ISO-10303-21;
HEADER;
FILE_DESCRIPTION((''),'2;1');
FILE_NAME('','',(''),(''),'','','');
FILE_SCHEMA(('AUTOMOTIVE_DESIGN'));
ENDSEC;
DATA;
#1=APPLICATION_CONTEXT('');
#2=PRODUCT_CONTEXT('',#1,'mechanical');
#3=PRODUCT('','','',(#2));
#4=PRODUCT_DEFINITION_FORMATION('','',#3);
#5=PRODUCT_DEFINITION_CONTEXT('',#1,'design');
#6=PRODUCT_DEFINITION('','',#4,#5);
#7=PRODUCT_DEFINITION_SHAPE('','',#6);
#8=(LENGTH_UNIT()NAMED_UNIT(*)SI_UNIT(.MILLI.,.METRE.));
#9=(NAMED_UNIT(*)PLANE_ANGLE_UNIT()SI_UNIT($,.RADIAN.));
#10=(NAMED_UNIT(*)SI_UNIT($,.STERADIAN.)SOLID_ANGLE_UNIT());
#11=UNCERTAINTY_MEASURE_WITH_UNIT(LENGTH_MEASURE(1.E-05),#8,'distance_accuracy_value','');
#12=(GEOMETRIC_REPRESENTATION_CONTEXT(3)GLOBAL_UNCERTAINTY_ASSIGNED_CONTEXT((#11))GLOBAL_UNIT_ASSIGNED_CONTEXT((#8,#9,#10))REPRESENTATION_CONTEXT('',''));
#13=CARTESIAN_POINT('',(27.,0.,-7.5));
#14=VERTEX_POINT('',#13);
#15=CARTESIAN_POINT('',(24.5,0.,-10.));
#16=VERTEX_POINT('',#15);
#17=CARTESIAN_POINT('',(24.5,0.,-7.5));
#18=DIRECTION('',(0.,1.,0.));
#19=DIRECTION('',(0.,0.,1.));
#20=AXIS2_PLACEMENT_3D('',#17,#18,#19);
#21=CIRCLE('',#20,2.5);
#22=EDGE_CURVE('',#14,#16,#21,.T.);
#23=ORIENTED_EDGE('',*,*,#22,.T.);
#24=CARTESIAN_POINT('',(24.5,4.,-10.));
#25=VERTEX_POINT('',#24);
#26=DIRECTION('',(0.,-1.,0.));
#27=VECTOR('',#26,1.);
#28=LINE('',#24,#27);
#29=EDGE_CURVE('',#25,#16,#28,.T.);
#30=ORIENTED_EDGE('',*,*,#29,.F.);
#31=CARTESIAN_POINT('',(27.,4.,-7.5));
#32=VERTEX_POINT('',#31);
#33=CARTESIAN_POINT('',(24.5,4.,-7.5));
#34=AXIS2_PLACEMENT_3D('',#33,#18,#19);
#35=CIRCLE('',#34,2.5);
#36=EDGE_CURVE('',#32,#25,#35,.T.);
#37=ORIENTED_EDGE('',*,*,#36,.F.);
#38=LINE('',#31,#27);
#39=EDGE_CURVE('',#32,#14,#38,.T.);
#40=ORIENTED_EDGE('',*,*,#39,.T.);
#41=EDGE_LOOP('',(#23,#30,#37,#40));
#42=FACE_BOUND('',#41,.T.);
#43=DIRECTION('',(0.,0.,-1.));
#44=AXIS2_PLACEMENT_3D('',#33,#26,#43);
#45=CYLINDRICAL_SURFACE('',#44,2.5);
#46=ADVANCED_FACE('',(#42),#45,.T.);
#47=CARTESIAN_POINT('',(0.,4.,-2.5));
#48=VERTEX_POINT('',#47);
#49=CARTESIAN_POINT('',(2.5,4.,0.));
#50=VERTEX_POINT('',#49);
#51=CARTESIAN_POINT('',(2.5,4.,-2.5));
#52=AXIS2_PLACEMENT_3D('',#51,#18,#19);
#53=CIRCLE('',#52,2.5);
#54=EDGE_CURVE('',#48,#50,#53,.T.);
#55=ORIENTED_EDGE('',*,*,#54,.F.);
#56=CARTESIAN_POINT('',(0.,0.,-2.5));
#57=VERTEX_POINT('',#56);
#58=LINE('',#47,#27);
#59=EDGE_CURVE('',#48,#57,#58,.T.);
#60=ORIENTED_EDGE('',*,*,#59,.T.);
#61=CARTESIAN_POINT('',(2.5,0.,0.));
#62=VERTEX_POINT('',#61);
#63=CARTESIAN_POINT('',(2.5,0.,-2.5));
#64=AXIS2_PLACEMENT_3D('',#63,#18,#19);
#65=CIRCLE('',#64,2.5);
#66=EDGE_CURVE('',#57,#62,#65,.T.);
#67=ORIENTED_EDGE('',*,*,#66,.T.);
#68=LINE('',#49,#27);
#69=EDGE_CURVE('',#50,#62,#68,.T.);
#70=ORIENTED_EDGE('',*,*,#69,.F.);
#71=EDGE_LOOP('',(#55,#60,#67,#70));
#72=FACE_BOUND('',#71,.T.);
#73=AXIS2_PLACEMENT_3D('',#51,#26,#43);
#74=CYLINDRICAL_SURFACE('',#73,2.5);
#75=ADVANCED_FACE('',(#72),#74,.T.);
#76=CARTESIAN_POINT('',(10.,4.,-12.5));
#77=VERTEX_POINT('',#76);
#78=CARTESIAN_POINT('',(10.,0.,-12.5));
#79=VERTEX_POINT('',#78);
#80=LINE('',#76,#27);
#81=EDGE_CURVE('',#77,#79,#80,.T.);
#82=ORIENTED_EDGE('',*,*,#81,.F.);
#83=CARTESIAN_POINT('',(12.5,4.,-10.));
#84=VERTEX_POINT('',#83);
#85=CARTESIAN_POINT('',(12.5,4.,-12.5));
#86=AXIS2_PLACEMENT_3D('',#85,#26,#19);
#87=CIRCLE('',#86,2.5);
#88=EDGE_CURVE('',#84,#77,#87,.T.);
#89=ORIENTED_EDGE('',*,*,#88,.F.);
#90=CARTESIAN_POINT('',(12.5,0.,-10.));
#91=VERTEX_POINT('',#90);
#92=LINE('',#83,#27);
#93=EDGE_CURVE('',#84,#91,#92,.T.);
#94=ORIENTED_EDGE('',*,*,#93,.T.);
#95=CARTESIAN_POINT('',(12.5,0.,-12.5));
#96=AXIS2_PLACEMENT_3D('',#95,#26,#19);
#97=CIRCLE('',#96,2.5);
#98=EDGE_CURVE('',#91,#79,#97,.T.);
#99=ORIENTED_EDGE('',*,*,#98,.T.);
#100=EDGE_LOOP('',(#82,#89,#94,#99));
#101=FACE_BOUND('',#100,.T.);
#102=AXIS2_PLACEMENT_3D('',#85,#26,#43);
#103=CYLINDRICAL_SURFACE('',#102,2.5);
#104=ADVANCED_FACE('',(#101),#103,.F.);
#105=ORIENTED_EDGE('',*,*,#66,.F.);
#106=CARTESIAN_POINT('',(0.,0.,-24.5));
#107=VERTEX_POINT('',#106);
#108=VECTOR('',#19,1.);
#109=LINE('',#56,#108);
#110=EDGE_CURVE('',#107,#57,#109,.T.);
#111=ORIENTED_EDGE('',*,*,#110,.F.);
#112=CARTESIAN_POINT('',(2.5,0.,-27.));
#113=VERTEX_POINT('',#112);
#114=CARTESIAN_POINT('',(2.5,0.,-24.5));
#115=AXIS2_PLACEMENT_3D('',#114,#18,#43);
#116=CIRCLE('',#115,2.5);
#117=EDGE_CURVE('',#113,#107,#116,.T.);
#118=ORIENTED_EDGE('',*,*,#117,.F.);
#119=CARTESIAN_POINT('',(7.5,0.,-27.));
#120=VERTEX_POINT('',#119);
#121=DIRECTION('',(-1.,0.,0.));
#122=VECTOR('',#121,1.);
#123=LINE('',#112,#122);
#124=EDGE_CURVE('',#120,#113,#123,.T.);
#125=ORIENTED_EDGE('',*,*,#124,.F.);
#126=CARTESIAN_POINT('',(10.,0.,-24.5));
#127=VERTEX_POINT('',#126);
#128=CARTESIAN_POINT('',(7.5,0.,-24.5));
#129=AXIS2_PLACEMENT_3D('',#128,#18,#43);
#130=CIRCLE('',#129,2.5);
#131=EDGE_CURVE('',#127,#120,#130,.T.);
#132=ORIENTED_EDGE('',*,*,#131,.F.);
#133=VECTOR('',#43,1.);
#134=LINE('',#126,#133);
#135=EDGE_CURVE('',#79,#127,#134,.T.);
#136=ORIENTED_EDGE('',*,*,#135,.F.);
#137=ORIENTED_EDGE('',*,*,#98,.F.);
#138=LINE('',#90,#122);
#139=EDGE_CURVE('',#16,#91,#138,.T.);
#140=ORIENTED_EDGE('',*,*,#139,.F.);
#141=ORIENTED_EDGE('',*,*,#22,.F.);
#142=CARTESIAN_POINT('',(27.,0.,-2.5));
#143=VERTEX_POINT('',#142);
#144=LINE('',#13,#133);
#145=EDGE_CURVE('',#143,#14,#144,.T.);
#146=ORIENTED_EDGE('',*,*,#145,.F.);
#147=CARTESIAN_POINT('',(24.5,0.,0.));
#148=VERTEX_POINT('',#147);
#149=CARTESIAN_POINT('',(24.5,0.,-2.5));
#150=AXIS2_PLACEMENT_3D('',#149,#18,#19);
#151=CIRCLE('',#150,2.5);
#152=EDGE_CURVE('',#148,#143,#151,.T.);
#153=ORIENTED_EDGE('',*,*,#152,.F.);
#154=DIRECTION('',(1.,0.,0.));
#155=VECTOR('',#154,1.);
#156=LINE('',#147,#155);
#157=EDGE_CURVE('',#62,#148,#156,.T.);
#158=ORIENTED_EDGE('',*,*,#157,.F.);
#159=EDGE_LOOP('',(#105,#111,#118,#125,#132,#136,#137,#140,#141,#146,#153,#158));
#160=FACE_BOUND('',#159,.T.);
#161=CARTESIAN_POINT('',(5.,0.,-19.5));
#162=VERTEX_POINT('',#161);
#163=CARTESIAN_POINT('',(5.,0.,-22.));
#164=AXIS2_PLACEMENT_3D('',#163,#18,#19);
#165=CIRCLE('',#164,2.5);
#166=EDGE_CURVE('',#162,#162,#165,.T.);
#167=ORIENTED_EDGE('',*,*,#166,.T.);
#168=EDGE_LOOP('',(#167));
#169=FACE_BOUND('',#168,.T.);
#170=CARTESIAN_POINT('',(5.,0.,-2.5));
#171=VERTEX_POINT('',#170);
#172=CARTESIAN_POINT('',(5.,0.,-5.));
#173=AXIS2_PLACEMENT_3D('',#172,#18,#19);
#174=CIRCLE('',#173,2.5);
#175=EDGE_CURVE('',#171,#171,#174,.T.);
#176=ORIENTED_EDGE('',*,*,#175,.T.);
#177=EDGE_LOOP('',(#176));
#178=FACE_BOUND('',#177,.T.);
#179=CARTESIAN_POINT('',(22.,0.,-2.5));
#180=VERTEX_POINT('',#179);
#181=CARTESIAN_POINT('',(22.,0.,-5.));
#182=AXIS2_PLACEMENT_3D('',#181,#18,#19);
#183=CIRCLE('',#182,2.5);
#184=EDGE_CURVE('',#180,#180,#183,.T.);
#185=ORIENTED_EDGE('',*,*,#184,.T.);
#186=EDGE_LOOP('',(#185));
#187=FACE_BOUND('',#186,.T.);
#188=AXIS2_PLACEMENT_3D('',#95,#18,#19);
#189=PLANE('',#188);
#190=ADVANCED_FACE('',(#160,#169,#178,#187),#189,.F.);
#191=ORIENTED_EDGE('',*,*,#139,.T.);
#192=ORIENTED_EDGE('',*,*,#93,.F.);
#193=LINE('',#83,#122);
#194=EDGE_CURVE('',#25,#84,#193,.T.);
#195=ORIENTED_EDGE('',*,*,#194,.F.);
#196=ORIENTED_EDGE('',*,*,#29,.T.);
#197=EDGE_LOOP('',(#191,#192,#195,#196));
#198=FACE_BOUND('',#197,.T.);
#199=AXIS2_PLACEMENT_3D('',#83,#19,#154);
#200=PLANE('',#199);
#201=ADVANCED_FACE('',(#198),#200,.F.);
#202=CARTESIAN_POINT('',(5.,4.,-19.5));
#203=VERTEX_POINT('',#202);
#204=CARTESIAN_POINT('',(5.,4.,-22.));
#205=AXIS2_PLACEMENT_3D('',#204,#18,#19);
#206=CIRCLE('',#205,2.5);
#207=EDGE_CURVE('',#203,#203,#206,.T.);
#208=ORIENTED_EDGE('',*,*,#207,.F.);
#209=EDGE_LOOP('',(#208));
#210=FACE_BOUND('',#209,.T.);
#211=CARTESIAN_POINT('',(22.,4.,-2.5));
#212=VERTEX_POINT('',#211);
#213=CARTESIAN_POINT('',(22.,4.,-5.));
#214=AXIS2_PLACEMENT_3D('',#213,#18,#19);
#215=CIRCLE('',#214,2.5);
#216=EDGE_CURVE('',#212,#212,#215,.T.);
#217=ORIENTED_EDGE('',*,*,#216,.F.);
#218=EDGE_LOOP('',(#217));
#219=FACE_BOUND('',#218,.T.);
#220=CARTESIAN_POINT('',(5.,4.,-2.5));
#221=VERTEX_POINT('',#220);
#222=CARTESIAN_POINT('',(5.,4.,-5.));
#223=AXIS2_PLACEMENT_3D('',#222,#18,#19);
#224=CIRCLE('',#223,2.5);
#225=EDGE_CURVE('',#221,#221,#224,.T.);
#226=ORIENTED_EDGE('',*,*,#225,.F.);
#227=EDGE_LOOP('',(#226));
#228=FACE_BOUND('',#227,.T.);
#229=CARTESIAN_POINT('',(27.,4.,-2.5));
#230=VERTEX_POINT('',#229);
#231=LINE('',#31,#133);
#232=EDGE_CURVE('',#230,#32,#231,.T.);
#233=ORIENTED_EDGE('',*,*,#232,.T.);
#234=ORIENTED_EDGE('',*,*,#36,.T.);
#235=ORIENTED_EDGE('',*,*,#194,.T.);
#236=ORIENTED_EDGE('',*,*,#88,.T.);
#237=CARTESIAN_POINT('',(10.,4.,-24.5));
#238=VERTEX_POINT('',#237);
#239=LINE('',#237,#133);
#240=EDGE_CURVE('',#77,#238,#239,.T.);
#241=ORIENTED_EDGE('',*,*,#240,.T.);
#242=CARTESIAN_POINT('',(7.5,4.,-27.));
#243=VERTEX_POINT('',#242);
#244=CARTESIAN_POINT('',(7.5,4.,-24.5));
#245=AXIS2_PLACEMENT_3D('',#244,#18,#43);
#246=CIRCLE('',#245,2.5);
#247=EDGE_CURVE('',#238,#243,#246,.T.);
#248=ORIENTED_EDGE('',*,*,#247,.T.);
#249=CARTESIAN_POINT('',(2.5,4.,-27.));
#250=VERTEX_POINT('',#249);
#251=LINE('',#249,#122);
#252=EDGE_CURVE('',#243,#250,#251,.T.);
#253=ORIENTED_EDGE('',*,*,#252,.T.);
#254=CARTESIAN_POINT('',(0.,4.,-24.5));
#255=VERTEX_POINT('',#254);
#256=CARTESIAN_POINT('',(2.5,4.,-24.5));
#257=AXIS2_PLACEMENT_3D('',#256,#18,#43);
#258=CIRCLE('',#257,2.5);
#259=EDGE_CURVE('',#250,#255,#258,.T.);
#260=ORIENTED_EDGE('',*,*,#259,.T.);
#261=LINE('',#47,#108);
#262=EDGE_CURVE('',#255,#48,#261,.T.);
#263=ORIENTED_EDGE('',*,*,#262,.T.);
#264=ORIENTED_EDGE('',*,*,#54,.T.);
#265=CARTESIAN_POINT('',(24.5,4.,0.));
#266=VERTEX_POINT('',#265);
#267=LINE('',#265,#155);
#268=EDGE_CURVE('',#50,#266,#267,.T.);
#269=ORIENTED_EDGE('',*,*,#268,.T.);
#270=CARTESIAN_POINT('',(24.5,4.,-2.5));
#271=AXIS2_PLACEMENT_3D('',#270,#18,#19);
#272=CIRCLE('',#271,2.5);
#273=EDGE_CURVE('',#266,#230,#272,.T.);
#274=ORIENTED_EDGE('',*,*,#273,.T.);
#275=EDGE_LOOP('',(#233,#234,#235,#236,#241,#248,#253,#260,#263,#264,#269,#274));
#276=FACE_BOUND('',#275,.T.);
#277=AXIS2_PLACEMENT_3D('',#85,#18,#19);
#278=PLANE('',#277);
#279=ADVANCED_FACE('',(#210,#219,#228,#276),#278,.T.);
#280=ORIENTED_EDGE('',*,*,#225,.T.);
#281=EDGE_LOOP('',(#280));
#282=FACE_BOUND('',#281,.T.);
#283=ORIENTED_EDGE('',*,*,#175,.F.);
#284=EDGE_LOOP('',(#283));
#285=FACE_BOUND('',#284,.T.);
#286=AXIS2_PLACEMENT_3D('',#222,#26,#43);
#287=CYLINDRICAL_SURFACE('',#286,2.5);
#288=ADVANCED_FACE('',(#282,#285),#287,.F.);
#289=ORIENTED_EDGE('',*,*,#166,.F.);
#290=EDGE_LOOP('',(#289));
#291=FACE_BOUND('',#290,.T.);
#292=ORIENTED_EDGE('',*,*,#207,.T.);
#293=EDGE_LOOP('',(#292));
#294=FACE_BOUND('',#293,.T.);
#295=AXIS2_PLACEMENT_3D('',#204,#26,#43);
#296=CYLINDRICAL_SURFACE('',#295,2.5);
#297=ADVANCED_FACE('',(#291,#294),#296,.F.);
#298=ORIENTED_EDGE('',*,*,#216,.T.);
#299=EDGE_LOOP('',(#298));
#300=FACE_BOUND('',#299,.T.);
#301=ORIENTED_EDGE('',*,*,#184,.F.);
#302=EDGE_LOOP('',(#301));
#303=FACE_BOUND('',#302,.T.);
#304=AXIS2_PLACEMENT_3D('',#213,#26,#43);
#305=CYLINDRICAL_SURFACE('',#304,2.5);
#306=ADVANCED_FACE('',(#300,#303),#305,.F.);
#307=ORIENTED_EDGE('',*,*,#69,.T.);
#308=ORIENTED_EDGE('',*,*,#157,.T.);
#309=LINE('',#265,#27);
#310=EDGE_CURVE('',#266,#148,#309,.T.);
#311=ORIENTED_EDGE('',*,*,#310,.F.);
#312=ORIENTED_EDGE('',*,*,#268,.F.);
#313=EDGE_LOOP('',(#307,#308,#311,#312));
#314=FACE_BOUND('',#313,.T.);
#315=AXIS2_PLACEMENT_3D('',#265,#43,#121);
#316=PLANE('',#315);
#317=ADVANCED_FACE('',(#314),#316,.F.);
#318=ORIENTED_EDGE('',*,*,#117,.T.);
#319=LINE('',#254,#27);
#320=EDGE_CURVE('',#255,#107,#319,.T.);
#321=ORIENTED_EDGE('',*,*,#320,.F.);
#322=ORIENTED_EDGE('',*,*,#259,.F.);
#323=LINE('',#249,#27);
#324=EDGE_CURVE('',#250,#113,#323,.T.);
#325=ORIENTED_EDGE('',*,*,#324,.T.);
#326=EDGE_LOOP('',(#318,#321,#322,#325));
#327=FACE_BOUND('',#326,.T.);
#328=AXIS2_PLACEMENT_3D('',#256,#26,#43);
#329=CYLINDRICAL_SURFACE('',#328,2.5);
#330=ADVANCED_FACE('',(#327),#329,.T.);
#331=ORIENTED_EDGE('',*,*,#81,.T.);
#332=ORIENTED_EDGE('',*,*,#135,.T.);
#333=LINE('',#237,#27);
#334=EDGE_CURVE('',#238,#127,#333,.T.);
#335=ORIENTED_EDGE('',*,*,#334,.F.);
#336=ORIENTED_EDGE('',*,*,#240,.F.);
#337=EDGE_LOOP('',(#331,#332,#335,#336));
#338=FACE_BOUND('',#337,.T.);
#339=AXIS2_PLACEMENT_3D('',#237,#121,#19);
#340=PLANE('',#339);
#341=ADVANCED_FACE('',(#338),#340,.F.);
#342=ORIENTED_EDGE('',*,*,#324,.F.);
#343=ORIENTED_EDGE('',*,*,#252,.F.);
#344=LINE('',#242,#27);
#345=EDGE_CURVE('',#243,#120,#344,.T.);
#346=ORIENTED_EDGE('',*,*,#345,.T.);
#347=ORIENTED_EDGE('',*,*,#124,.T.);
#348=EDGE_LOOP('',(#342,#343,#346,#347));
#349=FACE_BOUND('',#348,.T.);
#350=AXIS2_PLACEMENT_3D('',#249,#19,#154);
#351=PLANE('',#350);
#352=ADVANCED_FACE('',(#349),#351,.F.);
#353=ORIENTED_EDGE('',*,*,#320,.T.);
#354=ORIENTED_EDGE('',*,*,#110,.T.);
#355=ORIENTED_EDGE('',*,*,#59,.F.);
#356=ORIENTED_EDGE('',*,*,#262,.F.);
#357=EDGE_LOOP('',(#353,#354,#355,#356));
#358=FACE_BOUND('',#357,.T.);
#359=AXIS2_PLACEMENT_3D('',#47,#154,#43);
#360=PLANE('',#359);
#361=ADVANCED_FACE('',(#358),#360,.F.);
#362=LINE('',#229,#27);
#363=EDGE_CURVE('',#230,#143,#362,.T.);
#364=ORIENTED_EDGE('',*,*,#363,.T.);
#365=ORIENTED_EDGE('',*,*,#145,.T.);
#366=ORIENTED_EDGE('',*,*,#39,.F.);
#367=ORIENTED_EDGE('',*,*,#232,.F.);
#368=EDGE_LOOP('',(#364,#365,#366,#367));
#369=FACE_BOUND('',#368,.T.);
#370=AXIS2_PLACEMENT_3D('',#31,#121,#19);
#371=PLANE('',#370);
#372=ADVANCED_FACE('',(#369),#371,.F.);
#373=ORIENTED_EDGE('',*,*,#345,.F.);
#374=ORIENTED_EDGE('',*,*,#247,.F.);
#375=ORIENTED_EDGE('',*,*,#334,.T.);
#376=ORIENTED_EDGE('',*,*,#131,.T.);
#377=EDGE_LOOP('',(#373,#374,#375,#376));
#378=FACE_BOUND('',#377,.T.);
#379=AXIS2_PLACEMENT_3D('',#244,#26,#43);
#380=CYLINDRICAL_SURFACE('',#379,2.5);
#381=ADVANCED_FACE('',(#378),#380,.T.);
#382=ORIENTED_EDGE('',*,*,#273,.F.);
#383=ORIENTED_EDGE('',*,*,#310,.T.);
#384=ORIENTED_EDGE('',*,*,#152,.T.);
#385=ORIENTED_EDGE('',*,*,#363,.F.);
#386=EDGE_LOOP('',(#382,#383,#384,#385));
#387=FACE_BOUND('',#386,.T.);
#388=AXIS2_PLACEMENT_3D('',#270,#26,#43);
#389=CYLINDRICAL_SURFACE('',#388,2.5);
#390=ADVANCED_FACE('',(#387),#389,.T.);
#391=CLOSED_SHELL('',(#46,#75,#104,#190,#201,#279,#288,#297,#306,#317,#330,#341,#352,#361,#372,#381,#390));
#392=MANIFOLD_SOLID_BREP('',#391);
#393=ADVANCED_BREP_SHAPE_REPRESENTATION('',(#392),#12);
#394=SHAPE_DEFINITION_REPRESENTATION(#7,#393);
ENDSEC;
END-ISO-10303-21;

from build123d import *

# Parameters (mm, degrees)
SKETCH1_R           = 2.5
BOSS_EXTRUDE1_DEPTH = 4


with BuildPart() as part:
    # Sketch1 → Boss-Extrude1 (new body)
    with BuildSketch(Plane(origin=(0, 0, 0), x_dir=(1, 0, 0), z_dir=(0, 1, 0))):
        with BuildLine():
            Line((0, 2.5), (0, 24.5))
            ThreePointArc((0, 24.5), (0.732233047, 26.267766953), (2.5, 27))
            Line((2.5, 27), (7.5, 27))
            ThreePointArc((7.5, 27), (9.267766953, 26.267766953), (10, 24.5))
            Line((10, 24.5), (10, 12.5))
            ThreePointArc((10, 12.5), (10.732233047, 10.732233047), (12.5, 10))
            Line((12.5, 10), (24.5, 10))
            ThreePointArc((24.5, 10), (26.267766953, 9.267766953), (27, 7.5))
            Line((27, 7.5), (27, 2.5))
            ThreePointArc((27, 2.5), (26.267766953, 0.732233047), (24.5, 0))
            Line((24.5, 0), (2.5, 0))
            ThreePointArc((2.5, 0), (0.732233047, 0.732233047), (0, 2.5))
        make_face()
        with Locations(Location((22, 5, 0), (0, 0, 270))):
            Circle(SKETCH1_R, mode=Mode.SUBTRACT)
        with Locations(Location((5, 5, 0), (0, 0, 270))):
            Circle(SKETCH1_R, mode=Mode.SUBTRACT)
        with Locations(Location((5, 22, 0), (0, 0, 270))):
            Circle(SKETCH1_R, mode=Mode.SUBTRACT)
    extrude(amount=BOSS_EXTRUDE1_DEPTH)


solid = part.part
